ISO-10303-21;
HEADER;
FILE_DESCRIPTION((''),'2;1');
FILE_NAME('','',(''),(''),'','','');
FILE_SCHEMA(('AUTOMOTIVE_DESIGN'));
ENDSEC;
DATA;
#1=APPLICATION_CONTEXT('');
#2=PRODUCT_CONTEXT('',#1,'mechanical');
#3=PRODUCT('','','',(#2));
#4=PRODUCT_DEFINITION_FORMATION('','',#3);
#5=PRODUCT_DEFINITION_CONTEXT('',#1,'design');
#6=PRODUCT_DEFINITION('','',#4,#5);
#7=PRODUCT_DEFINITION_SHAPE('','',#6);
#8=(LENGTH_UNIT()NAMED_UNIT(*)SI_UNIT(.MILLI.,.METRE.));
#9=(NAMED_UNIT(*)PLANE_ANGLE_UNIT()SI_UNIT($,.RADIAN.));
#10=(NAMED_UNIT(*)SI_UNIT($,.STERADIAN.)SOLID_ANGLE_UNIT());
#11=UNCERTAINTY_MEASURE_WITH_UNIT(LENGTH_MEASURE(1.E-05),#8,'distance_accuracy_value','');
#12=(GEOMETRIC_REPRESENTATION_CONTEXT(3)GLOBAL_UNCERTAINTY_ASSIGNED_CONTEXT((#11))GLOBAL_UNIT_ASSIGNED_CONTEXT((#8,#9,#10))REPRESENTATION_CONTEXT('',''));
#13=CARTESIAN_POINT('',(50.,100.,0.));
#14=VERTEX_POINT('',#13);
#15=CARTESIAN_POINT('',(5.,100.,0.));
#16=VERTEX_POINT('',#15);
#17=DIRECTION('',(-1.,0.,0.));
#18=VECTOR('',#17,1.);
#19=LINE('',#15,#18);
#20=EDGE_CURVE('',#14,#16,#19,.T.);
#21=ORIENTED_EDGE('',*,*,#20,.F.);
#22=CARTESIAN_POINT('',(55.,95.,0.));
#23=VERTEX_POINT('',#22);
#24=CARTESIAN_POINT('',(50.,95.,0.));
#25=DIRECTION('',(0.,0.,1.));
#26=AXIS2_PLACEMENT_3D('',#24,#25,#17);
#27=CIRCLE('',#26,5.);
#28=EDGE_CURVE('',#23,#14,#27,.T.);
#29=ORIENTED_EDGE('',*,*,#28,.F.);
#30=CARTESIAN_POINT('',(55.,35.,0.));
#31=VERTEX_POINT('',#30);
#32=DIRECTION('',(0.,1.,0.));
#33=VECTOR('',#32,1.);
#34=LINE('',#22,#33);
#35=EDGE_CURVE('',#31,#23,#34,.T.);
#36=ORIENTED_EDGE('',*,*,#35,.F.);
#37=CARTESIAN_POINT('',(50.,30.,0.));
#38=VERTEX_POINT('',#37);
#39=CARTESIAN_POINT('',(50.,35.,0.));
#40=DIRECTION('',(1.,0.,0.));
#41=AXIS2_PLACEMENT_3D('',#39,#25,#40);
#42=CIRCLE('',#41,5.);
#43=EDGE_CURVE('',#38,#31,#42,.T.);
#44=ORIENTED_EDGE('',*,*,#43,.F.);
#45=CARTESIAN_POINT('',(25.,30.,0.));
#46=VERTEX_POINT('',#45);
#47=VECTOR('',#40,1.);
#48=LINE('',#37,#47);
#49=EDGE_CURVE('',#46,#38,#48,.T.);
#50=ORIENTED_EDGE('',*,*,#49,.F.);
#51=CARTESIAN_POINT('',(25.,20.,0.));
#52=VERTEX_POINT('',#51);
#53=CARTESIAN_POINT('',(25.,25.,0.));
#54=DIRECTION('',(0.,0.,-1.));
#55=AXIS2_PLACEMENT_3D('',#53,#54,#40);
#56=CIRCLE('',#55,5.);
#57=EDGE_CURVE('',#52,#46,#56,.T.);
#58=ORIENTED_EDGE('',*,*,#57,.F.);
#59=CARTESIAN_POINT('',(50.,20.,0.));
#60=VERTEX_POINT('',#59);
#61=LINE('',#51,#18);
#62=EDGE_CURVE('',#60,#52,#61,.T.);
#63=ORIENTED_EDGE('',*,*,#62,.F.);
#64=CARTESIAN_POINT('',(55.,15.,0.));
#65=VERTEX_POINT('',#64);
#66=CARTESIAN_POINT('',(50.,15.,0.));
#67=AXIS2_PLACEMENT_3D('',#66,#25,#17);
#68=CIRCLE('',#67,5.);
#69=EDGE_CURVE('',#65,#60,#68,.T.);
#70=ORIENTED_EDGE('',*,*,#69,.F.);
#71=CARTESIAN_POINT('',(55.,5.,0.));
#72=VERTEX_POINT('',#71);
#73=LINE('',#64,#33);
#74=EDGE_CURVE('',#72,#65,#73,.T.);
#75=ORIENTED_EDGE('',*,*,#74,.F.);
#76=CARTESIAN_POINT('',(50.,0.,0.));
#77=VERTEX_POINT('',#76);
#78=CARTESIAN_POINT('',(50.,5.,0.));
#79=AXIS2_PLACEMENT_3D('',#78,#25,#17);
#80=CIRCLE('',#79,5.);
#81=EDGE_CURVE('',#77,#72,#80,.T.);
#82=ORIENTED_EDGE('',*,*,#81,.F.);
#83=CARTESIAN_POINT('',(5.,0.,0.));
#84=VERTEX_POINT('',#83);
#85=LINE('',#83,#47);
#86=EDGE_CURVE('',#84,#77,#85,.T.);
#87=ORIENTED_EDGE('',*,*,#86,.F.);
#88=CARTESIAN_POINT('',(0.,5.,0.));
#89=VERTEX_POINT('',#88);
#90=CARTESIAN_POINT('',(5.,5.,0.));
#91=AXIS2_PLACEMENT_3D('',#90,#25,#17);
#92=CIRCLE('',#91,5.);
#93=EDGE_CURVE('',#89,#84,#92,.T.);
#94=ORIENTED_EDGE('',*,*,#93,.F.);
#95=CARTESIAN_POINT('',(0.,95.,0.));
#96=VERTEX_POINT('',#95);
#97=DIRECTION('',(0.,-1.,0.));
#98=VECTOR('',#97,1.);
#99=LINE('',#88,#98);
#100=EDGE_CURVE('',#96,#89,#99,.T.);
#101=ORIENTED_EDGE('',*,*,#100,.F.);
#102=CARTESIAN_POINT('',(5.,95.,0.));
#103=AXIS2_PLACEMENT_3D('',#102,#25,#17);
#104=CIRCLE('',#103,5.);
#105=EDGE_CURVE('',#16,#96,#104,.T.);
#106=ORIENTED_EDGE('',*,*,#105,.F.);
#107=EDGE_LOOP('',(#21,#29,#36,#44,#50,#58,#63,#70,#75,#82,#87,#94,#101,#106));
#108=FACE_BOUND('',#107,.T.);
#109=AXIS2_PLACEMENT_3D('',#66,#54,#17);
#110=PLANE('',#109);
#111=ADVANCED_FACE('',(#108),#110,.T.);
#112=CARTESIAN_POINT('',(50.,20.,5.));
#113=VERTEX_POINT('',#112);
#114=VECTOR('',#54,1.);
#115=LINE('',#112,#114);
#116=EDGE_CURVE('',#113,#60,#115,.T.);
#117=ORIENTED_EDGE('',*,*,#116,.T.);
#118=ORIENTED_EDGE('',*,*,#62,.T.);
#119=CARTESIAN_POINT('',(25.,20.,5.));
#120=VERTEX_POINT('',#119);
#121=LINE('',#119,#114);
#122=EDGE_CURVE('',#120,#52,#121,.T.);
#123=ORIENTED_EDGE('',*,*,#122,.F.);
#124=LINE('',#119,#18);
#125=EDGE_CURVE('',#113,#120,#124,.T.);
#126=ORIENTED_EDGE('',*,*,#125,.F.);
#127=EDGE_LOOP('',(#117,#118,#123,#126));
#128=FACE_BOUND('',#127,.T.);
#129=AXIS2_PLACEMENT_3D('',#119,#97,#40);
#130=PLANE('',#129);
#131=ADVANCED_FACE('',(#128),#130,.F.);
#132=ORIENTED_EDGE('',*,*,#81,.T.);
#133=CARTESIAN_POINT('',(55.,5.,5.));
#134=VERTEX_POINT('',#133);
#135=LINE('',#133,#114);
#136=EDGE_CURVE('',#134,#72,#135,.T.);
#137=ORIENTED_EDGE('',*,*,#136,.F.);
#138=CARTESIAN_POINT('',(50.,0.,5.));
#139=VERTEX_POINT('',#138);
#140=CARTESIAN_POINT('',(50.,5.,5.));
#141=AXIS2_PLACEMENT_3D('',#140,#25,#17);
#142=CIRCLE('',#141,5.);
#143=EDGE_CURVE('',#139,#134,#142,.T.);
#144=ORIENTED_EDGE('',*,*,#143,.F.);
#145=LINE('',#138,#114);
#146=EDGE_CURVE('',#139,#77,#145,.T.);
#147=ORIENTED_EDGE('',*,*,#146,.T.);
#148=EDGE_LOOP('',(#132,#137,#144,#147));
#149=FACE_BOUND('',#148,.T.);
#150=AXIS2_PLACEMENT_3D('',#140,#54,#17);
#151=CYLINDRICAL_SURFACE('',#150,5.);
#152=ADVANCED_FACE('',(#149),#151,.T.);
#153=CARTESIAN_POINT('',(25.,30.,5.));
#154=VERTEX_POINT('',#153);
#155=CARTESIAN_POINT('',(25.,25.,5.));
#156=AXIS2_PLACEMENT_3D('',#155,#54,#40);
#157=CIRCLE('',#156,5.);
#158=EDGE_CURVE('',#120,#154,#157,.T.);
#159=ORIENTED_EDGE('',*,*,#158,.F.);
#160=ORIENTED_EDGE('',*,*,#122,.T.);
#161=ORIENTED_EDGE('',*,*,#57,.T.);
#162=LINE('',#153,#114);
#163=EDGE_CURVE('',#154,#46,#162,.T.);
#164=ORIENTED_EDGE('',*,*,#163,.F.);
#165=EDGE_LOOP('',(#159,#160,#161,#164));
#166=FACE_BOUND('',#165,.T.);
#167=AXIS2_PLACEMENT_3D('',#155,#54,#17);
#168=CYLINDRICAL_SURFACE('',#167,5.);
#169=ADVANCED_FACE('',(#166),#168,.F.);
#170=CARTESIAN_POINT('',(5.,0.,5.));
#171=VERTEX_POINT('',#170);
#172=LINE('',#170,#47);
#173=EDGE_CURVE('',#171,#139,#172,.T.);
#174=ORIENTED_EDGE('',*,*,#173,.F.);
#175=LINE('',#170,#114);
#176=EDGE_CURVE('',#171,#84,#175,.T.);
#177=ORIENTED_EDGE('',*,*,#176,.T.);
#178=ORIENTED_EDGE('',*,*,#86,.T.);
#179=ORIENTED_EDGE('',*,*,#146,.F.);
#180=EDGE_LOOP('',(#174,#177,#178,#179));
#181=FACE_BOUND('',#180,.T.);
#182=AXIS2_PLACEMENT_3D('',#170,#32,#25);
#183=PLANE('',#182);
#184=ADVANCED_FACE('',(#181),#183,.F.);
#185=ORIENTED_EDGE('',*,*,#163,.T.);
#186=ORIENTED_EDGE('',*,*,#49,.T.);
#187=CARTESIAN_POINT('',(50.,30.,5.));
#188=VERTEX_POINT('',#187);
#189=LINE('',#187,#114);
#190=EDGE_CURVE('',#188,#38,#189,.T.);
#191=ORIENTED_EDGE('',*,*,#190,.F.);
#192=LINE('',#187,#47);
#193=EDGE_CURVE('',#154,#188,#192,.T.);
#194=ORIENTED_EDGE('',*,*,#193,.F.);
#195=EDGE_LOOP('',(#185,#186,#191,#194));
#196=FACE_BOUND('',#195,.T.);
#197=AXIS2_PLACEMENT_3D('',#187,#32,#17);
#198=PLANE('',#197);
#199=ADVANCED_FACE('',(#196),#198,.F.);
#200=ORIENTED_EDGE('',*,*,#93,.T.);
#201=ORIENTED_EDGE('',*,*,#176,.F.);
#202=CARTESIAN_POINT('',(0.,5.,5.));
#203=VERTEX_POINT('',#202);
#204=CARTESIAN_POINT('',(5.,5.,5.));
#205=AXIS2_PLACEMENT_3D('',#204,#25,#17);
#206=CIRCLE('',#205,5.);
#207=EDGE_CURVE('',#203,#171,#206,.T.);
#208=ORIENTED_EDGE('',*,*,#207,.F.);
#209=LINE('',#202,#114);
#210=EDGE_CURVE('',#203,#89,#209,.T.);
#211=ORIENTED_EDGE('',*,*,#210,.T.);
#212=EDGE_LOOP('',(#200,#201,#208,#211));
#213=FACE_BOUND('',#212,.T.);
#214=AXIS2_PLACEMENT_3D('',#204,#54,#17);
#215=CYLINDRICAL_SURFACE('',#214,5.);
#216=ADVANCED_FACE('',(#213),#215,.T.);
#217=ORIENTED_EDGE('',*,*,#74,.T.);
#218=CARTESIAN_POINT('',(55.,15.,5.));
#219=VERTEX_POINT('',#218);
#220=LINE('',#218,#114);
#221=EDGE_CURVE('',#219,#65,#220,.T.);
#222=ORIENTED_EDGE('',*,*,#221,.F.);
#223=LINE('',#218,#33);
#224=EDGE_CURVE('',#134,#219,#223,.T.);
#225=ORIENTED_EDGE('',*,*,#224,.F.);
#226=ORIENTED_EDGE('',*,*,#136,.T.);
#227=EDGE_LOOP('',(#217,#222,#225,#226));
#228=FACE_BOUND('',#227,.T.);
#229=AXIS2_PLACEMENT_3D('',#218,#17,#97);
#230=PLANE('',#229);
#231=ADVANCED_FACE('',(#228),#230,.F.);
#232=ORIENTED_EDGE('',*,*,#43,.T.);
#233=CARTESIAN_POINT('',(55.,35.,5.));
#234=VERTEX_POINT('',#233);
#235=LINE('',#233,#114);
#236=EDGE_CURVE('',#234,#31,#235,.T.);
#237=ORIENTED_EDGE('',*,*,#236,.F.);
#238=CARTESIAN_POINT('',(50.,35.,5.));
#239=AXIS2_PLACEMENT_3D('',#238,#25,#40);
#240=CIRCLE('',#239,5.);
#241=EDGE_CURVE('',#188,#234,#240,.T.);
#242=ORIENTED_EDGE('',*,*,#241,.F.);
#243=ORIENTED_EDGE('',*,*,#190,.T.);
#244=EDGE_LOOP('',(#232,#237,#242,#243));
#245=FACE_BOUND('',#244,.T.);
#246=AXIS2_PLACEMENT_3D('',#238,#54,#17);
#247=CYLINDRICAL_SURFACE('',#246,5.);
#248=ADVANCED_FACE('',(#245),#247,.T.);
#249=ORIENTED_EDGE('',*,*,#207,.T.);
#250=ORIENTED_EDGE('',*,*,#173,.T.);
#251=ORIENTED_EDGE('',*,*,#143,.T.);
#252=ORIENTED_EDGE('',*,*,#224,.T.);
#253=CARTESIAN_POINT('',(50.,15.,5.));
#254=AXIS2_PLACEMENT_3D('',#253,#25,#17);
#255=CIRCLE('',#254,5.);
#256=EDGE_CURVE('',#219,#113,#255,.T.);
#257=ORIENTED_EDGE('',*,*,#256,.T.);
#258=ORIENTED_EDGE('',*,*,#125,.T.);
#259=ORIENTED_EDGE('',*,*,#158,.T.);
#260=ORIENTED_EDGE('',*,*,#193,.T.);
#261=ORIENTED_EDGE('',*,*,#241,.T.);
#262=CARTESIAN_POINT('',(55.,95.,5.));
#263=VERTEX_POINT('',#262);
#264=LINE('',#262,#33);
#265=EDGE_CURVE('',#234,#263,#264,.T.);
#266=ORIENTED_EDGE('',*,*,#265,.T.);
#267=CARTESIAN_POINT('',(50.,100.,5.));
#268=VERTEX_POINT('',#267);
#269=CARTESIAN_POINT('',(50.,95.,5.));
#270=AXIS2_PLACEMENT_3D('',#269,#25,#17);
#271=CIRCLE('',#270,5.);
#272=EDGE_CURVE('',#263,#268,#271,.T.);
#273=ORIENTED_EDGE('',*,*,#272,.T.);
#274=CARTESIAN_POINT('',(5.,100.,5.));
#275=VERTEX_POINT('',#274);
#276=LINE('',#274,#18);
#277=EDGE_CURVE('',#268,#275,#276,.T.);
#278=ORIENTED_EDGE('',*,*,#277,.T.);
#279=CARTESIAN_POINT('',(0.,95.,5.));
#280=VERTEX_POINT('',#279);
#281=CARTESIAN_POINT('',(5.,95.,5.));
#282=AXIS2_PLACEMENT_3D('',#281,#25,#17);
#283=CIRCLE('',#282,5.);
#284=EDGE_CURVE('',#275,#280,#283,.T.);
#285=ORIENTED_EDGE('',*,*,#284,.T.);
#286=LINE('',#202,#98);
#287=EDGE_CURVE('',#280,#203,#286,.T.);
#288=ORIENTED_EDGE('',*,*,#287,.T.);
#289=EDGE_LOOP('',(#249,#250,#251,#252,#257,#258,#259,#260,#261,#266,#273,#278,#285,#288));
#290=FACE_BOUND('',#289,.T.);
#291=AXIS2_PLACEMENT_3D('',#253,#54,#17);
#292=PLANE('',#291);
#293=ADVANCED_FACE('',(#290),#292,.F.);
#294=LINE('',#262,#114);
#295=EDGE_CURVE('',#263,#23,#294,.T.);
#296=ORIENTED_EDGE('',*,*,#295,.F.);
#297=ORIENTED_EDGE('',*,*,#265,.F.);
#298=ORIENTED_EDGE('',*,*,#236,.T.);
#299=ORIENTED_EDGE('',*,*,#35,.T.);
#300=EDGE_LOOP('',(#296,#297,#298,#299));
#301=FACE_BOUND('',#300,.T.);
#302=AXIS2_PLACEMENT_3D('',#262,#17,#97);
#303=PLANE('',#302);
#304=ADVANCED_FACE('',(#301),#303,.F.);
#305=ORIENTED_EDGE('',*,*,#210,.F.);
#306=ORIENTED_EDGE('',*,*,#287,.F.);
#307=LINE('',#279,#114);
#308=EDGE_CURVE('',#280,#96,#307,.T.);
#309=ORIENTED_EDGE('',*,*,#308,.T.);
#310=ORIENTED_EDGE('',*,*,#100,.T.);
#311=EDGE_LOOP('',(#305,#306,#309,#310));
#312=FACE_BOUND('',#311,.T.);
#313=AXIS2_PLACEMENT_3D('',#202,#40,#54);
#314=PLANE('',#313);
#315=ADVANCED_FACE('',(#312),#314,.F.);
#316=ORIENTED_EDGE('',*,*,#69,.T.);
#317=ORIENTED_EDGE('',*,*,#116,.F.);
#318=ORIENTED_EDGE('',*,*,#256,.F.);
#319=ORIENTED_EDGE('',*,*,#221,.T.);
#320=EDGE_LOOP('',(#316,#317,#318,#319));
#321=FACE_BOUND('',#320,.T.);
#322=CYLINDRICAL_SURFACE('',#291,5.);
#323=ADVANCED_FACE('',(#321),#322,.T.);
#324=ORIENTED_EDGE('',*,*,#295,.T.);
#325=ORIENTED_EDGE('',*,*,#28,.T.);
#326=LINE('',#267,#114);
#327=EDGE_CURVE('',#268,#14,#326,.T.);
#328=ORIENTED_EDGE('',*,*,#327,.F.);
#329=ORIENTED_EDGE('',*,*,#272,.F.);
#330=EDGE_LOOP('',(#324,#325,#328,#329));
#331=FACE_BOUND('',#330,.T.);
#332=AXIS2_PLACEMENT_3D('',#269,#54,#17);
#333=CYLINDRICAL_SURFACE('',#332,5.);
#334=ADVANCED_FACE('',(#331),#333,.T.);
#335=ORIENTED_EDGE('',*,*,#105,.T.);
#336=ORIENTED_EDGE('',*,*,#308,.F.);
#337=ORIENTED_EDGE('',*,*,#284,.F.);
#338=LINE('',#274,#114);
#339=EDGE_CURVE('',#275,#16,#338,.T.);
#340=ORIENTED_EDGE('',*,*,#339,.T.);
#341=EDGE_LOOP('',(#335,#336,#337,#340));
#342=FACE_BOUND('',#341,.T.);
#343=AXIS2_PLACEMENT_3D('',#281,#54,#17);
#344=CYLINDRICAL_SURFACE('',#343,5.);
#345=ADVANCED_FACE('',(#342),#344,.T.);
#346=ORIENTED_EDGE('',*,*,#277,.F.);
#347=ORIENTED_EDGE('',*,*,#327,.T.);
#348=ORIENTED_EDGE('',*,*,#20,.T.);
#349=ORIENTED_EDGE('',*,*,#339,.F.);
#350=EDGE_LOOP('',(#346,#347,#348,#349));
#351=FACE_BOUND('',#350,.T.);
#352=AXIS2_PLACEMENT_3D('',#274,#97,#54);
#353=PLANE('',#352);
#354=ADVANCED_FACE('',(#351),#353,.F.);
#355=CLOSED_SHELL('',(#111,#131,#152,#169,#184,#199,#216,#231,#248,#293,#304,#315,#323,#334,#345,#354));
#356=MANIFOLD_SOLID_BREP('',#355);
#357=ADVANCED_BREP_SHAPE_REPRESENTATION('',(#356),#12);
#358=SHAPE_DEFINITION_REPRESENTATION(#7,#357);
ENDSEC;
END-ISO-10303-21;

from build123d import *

# Parameters (mm, degrees)
BOSS_EXTRU_1_DEPTH = 5


with BuildPart() as part:
    # Esquisse1 → Boss.-Extru.1 (new body)
    with BuildSketch(Plane.XY):
        with BuildLine():
            Line((55, 95), (55, 35))
            ThreePointArc((55, 35), (53.535533906, 31.464466094), (50, 30))
            Line((50, 30), (25, 30))
            ThreePointArc((25, 30), (20, 25), (25, 20))
            Line((25, 20), (50, 20))
            ThreePointArc((50, 20), (53.535533906, 18.535533906), (55, 15))
            Line((55, 15), (55, 5))
            ThreePointArc((55, 5), (53.535533906, 1.464466094), (50, 0))
            Line((50, 0), (5, 0))
            ThreePointArc((5, 0), (1.464466094, 1.464466094), (0, 5))
            Line((0, 5), (0, 95))
            ThreePointArc((0, 95), (1.464466094, 98.535533906), (5, 100))
            Line((5, 100), (50, 100))
            ThreePointArc((50, 100), (53.535533906, 98.535533906), (55, 95))
        make_face()
    extrude(amount=BOSS_EXTRU_1_DEPTH)


solid = part.part
